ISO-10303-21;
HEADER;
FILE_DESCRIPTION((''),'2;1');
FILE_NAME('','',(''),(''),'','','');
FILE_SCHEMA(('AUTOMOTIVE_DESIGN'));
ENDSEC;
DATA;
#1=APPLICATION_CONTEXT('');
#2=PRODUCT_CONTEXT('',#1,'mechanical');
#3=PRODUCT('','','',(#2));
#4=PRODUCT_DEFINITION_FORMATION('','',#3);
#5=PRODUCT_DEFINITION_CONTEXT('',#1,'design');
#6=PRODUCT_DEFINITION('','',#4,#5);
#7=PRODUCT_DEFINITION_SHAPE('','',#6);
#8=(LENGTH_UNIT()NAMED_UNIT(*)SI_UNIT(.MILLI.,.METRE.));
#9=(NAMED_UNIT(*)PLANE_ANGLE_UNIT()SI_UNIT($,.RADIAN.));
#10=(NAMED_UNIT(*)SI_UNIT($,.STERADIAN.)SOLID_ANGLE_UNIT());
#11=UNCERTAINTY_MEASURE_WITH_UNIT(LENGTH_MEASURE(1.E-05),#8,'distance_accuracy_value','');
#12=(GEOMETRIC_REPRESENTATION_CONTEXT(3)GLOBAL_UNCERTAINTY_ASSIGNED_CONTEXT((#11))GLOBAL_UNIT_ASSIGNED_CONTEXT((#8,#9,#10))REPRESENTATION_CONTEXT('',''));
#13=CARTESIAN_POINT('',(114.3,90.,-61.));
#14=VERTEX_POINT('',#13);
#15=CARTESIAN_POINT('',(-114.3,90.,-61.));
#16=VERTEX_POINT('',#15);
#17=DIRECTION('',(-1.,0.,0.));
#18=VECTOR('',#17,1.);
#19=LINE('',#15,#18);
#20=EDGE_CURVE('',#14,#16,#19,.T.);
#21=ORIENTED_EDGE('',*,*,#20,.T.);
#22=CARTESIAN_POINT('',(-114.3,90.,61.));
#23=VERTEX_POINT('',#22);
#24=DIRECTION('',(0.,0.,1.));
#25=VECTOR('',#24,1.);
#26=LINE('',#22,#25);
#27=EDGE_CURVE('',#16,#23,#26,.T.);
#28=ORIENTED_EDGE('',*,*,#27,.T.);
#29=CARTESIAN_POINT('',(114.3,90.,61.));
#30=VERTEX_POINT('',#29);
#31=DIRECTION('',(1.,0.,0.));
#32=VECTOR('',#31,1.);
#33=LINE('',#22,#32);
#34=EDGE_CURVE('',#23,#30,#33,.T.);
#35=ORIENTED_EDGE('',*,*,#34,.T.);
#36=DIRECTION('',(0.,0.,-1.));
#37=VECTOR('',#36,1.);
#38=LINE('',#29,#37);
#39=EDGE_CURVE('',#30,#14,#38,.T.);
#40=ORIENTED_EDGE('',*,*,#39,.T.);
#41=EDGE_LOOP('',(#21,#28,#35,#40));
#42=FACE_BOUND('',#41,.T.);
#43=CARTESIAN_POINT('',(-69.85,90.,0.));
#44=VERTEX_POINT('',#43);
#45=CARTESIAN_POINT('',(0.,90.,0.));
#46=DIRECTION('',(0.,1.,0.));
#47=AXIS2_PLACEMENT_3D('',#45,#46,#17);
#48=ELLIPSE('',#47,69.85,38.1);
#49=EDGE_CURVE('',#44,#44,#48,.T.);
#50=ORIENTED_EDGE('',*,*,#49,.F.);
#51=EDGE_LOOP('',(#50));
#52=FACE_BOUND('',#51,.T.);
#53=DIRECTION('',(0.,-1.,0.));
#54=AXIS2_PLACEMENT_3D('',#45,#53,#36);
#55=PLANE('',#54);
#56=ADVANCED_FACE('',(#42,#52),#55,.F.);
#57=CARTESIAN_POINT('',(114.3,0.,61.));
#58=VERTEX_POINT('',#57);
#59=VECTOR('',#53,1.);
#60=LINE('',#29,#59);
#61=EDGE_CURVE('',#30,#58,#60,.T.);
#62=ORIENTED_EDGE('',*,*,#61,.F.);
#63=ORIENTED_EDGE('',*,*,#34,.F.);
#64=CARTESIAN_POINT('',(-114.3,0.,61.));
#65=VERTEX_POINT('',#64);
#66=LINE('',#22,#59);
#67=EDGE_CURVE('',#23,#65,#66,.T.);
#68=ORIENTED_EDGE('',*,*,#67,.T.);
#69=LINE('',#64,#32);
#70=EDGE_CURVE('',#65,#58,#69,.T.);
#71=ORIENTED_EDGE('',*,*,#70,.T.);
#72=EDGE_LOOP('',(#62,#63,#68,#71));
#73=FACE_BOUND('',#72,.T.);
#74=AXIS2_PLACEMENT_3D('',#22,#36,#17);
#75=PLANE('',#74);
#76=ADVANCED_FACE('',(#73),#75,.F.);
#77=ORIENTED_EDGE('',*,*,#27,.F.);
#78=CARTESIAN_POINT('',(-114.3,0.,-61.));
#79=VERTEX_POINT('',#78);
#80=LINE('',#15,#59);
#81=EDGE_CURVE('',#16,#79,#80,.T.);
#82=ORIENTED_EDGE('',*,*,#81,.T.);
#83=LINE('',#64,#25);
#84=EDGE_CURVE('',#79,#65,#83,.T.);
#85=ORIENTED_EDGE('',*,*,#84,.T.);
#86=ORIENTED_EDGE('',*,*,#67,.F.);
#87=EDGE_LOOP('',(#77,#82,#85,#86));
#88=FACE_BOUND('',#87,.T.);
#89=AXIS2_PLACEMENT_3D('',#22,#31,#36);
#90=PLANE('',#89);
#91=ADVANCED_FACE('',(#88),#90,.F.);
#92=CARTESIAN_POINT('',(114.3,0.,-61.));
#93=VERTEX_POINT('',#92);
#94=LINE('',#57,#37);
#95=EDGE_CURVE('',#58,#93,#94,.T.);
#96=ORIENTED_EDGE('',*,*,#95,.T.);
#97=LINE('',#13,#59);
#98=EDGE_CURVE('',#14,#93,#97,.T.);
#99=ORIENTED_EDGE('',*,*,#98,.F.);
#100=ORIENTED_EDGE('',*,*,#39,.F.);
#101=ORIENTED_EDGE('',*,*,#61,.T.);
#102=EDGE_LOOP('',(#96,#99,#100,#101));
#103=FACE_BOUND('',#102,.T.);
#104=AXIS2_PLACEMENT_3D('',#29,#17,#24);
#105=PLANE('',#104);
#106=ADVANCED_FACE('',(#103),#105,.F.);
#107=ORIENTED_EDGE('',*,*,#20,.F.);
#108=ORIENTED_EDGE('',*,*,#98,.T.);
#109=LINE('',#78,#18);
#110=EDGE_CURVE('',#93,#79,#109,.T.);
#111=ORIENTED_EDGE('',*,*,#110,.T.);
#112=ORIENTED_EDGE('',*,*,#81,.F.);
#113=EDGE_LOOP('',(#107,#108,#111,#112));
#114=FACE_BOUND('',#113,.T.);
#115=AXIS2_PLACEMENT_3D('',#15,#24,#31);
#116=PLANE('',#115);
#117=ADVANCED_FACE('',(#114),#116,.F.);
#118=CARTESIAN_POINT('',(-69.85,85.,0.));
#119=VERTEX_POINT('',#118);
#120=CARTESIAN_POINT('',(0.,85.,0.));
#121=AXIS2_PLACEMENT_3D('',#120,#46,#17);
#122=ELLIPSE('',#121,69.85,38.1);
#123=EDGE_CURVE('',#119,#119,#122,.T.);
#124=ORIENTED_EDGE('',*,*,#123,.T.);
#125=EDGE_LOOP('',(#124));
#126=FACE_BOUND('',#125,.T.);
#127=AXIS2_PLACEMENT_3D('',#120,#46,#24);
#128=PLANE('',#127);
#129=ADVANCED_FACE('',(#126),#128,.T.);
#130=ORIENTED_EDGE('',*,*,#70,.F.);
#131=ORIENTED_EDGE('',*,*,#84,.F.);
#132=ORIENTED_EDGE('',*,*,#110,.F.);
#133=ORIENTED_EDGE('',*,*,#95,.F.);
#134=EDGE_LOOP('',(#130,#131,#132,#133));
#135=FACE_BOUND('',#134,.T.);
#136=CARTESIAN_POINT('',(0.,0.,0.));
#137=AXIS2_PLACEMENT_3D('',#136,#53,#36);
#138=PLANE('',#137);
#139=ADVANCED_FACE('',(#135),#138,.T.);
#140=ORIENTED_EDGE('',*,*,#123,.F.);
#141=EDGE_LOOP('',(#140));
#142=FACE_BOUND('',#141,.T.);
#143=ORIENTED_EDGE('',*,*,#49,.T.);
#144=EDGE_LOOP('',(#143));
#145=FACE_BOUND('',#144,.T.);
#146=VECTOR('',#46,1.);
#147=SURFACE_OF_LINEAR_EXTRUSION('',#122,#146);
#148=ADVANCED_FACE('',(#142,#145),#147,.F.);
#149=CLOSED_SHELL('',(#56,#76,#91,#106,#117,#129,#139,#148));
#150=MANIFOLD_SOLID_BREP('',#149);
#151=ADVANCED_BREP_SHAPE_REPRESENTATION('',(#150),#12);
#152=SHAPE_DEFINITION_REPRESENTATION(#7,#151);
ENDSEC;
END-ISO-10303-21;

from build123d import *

# Parameters (mm, degrees)
SKETCH1_W           = 228.6
SKETCH1_H           = 122
BOSS_EXTRUDE1_DEPTH = 90
SKETCH2_RX          = 69.85
SKETCH2_RY          = 38.1
CUT_EXTRUDE1_DEPTH  = 5


with BuildPart() as part:
    # Sketch1 → Boss-Extrude1 (new body)
    with BuildSketch(Plane(origin=(0, 0, 0), x_dir=(1, 0, 0), z_dir=(0, 1, 0))):
        Rectangle(SKETCH1_W, SKETCH1_H)
    extrude(amount=BOSS_EXTRUDE1_DEPTH)

    # Sketch2 → Cut-Extrude1 (cut)
    with BuildSketch(Plane(origin=(0, 90, 0), x_dir=(1, 0, 0), z_dir=(0, 1, 0))):
        with Locations(Location((0, 0), (0, 0, 180))):
            Ellipse(SKETCH2_RX, SKETCH2_RY)
    extrude(amount=-CUT_EXTRUDE1_DEPTH, mode=Mode.SUBTRACT)


solid = part.part
